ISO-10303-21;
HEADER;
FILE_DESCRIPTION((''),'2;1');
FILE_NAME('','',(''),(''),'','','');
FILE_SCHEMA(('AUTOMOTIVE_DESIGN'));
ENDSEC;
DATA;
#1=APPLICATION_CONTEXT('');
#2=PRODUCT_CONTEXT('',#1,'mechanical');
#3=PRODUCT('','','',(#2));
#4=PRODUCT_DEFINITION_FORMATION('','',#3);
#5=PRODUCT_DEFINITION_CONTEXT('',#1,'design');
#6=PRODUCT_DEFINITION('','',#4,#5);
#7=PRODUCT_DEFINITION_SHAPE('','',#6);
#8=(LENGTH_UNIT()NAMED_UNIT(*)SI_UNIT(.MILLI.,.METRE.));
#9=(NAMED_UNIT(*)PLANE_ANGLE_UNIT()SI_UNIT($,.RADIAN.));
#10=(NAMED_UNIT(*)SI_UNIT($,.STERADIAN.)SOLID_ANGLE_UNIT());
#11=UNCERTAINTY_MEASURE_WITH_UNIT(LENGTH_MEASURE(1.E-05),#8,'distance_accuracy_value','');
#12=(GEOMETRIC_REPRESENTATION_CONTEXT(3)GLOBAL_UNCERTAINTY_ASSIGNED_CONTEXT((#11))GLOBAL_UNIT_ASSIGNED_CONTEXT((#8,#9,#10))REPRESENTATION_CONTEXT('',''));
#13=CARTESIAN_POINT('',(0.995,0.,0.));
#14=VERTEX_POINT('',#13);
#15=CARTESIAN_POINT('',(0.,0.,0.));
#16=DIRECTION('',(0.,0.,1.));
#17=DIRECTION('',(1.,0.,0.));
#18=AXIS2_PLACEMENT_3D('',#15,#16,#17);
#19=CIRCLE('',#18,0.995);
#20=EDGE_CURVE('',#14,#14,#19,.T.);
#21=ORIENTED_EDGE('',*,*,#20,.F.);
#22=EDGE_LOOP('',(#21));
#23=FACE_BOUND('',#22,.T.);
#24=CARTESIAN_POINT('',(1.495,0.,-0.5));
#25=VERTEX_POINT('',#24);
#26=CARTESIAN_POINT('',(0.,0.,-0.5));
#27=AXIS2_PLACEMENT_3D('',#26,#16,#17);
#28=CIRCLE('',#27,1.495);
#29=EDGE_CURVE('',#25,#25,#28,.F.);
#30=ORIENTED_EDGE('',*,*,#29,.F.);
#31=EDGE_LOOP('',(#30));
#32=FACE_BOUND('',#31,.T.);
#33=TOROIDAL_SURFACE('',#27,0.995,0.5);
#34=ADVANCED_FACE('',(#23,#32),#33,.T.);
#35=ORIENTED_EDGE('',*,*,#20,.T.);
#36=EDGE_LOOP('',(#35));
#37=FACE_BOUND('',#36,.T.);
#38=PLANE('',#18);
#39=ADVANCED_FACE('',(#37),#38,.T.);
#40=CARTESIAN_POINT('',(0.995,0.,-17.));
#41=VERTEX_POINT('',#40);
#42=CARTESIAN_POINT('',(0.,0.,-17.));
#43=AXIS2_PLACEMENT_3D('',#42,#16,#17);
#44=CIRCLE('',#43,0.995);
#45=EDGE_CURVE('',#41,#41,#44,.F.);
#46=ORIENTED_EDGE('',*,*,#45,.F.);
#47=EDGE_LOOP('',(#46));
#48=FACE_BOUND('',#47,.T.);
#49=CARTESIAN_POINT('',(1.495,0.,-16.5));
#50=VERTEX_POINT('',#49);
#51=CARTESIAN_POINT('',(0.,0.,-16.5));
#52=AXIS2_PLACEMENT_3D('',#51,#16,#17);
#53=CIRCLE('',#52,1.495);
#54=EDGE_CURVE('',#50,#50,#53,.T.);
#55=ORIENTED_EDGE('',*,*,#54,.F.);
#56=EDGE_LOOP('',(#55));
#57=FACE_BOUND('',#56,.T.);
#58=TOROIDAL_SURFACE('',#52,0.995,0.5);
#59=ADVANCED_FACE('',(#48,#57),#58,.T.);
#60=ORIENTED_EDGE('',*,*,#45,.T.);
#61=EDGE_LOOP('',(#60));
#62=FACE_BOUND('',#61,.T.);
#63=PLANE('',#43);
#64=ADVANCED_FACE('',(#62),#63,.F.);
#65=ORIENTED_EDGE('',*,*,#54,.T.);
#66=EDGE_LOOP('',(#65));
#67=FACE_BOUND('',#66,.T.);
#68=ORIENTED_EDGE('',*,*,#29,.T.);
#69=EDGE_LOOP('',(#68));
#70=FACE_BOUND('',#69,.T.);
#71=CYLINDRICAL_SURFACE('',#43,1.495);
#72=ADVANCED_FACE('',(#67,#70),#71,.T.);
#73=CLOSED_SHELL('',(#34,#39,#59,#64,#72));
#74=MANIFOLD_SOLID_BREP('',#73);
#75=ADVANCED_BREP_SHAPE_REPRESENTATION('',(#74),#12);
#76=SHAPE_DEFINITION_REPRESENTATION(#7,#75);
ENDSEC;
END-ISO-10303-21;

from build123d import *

# Parameters (mm, degrees)
SKETCH2_R           = 1.495
BOSS_EXTRUDE3_DEPTH = 17
FILLET2_R           = 0.5


with BuildPart() as part:
    # Sketch2 → Boss-Extrude3 (new body)
    with BuildSketch(Plane.XY):
        Circle(SKETCH2_R)
    extrude(amount=-BOSS_EXTRUDE3_DEPTH)

    # Fillet2
    fillet2_edges = [part.edges().sort_by_distance(p)[0] for p in [
        (-1.495, 0, 0),
        (-1.495, 0, -17),
    ]]
    fillet(fillet2_edges, radius=FILLET2_R)


solid = part.part
